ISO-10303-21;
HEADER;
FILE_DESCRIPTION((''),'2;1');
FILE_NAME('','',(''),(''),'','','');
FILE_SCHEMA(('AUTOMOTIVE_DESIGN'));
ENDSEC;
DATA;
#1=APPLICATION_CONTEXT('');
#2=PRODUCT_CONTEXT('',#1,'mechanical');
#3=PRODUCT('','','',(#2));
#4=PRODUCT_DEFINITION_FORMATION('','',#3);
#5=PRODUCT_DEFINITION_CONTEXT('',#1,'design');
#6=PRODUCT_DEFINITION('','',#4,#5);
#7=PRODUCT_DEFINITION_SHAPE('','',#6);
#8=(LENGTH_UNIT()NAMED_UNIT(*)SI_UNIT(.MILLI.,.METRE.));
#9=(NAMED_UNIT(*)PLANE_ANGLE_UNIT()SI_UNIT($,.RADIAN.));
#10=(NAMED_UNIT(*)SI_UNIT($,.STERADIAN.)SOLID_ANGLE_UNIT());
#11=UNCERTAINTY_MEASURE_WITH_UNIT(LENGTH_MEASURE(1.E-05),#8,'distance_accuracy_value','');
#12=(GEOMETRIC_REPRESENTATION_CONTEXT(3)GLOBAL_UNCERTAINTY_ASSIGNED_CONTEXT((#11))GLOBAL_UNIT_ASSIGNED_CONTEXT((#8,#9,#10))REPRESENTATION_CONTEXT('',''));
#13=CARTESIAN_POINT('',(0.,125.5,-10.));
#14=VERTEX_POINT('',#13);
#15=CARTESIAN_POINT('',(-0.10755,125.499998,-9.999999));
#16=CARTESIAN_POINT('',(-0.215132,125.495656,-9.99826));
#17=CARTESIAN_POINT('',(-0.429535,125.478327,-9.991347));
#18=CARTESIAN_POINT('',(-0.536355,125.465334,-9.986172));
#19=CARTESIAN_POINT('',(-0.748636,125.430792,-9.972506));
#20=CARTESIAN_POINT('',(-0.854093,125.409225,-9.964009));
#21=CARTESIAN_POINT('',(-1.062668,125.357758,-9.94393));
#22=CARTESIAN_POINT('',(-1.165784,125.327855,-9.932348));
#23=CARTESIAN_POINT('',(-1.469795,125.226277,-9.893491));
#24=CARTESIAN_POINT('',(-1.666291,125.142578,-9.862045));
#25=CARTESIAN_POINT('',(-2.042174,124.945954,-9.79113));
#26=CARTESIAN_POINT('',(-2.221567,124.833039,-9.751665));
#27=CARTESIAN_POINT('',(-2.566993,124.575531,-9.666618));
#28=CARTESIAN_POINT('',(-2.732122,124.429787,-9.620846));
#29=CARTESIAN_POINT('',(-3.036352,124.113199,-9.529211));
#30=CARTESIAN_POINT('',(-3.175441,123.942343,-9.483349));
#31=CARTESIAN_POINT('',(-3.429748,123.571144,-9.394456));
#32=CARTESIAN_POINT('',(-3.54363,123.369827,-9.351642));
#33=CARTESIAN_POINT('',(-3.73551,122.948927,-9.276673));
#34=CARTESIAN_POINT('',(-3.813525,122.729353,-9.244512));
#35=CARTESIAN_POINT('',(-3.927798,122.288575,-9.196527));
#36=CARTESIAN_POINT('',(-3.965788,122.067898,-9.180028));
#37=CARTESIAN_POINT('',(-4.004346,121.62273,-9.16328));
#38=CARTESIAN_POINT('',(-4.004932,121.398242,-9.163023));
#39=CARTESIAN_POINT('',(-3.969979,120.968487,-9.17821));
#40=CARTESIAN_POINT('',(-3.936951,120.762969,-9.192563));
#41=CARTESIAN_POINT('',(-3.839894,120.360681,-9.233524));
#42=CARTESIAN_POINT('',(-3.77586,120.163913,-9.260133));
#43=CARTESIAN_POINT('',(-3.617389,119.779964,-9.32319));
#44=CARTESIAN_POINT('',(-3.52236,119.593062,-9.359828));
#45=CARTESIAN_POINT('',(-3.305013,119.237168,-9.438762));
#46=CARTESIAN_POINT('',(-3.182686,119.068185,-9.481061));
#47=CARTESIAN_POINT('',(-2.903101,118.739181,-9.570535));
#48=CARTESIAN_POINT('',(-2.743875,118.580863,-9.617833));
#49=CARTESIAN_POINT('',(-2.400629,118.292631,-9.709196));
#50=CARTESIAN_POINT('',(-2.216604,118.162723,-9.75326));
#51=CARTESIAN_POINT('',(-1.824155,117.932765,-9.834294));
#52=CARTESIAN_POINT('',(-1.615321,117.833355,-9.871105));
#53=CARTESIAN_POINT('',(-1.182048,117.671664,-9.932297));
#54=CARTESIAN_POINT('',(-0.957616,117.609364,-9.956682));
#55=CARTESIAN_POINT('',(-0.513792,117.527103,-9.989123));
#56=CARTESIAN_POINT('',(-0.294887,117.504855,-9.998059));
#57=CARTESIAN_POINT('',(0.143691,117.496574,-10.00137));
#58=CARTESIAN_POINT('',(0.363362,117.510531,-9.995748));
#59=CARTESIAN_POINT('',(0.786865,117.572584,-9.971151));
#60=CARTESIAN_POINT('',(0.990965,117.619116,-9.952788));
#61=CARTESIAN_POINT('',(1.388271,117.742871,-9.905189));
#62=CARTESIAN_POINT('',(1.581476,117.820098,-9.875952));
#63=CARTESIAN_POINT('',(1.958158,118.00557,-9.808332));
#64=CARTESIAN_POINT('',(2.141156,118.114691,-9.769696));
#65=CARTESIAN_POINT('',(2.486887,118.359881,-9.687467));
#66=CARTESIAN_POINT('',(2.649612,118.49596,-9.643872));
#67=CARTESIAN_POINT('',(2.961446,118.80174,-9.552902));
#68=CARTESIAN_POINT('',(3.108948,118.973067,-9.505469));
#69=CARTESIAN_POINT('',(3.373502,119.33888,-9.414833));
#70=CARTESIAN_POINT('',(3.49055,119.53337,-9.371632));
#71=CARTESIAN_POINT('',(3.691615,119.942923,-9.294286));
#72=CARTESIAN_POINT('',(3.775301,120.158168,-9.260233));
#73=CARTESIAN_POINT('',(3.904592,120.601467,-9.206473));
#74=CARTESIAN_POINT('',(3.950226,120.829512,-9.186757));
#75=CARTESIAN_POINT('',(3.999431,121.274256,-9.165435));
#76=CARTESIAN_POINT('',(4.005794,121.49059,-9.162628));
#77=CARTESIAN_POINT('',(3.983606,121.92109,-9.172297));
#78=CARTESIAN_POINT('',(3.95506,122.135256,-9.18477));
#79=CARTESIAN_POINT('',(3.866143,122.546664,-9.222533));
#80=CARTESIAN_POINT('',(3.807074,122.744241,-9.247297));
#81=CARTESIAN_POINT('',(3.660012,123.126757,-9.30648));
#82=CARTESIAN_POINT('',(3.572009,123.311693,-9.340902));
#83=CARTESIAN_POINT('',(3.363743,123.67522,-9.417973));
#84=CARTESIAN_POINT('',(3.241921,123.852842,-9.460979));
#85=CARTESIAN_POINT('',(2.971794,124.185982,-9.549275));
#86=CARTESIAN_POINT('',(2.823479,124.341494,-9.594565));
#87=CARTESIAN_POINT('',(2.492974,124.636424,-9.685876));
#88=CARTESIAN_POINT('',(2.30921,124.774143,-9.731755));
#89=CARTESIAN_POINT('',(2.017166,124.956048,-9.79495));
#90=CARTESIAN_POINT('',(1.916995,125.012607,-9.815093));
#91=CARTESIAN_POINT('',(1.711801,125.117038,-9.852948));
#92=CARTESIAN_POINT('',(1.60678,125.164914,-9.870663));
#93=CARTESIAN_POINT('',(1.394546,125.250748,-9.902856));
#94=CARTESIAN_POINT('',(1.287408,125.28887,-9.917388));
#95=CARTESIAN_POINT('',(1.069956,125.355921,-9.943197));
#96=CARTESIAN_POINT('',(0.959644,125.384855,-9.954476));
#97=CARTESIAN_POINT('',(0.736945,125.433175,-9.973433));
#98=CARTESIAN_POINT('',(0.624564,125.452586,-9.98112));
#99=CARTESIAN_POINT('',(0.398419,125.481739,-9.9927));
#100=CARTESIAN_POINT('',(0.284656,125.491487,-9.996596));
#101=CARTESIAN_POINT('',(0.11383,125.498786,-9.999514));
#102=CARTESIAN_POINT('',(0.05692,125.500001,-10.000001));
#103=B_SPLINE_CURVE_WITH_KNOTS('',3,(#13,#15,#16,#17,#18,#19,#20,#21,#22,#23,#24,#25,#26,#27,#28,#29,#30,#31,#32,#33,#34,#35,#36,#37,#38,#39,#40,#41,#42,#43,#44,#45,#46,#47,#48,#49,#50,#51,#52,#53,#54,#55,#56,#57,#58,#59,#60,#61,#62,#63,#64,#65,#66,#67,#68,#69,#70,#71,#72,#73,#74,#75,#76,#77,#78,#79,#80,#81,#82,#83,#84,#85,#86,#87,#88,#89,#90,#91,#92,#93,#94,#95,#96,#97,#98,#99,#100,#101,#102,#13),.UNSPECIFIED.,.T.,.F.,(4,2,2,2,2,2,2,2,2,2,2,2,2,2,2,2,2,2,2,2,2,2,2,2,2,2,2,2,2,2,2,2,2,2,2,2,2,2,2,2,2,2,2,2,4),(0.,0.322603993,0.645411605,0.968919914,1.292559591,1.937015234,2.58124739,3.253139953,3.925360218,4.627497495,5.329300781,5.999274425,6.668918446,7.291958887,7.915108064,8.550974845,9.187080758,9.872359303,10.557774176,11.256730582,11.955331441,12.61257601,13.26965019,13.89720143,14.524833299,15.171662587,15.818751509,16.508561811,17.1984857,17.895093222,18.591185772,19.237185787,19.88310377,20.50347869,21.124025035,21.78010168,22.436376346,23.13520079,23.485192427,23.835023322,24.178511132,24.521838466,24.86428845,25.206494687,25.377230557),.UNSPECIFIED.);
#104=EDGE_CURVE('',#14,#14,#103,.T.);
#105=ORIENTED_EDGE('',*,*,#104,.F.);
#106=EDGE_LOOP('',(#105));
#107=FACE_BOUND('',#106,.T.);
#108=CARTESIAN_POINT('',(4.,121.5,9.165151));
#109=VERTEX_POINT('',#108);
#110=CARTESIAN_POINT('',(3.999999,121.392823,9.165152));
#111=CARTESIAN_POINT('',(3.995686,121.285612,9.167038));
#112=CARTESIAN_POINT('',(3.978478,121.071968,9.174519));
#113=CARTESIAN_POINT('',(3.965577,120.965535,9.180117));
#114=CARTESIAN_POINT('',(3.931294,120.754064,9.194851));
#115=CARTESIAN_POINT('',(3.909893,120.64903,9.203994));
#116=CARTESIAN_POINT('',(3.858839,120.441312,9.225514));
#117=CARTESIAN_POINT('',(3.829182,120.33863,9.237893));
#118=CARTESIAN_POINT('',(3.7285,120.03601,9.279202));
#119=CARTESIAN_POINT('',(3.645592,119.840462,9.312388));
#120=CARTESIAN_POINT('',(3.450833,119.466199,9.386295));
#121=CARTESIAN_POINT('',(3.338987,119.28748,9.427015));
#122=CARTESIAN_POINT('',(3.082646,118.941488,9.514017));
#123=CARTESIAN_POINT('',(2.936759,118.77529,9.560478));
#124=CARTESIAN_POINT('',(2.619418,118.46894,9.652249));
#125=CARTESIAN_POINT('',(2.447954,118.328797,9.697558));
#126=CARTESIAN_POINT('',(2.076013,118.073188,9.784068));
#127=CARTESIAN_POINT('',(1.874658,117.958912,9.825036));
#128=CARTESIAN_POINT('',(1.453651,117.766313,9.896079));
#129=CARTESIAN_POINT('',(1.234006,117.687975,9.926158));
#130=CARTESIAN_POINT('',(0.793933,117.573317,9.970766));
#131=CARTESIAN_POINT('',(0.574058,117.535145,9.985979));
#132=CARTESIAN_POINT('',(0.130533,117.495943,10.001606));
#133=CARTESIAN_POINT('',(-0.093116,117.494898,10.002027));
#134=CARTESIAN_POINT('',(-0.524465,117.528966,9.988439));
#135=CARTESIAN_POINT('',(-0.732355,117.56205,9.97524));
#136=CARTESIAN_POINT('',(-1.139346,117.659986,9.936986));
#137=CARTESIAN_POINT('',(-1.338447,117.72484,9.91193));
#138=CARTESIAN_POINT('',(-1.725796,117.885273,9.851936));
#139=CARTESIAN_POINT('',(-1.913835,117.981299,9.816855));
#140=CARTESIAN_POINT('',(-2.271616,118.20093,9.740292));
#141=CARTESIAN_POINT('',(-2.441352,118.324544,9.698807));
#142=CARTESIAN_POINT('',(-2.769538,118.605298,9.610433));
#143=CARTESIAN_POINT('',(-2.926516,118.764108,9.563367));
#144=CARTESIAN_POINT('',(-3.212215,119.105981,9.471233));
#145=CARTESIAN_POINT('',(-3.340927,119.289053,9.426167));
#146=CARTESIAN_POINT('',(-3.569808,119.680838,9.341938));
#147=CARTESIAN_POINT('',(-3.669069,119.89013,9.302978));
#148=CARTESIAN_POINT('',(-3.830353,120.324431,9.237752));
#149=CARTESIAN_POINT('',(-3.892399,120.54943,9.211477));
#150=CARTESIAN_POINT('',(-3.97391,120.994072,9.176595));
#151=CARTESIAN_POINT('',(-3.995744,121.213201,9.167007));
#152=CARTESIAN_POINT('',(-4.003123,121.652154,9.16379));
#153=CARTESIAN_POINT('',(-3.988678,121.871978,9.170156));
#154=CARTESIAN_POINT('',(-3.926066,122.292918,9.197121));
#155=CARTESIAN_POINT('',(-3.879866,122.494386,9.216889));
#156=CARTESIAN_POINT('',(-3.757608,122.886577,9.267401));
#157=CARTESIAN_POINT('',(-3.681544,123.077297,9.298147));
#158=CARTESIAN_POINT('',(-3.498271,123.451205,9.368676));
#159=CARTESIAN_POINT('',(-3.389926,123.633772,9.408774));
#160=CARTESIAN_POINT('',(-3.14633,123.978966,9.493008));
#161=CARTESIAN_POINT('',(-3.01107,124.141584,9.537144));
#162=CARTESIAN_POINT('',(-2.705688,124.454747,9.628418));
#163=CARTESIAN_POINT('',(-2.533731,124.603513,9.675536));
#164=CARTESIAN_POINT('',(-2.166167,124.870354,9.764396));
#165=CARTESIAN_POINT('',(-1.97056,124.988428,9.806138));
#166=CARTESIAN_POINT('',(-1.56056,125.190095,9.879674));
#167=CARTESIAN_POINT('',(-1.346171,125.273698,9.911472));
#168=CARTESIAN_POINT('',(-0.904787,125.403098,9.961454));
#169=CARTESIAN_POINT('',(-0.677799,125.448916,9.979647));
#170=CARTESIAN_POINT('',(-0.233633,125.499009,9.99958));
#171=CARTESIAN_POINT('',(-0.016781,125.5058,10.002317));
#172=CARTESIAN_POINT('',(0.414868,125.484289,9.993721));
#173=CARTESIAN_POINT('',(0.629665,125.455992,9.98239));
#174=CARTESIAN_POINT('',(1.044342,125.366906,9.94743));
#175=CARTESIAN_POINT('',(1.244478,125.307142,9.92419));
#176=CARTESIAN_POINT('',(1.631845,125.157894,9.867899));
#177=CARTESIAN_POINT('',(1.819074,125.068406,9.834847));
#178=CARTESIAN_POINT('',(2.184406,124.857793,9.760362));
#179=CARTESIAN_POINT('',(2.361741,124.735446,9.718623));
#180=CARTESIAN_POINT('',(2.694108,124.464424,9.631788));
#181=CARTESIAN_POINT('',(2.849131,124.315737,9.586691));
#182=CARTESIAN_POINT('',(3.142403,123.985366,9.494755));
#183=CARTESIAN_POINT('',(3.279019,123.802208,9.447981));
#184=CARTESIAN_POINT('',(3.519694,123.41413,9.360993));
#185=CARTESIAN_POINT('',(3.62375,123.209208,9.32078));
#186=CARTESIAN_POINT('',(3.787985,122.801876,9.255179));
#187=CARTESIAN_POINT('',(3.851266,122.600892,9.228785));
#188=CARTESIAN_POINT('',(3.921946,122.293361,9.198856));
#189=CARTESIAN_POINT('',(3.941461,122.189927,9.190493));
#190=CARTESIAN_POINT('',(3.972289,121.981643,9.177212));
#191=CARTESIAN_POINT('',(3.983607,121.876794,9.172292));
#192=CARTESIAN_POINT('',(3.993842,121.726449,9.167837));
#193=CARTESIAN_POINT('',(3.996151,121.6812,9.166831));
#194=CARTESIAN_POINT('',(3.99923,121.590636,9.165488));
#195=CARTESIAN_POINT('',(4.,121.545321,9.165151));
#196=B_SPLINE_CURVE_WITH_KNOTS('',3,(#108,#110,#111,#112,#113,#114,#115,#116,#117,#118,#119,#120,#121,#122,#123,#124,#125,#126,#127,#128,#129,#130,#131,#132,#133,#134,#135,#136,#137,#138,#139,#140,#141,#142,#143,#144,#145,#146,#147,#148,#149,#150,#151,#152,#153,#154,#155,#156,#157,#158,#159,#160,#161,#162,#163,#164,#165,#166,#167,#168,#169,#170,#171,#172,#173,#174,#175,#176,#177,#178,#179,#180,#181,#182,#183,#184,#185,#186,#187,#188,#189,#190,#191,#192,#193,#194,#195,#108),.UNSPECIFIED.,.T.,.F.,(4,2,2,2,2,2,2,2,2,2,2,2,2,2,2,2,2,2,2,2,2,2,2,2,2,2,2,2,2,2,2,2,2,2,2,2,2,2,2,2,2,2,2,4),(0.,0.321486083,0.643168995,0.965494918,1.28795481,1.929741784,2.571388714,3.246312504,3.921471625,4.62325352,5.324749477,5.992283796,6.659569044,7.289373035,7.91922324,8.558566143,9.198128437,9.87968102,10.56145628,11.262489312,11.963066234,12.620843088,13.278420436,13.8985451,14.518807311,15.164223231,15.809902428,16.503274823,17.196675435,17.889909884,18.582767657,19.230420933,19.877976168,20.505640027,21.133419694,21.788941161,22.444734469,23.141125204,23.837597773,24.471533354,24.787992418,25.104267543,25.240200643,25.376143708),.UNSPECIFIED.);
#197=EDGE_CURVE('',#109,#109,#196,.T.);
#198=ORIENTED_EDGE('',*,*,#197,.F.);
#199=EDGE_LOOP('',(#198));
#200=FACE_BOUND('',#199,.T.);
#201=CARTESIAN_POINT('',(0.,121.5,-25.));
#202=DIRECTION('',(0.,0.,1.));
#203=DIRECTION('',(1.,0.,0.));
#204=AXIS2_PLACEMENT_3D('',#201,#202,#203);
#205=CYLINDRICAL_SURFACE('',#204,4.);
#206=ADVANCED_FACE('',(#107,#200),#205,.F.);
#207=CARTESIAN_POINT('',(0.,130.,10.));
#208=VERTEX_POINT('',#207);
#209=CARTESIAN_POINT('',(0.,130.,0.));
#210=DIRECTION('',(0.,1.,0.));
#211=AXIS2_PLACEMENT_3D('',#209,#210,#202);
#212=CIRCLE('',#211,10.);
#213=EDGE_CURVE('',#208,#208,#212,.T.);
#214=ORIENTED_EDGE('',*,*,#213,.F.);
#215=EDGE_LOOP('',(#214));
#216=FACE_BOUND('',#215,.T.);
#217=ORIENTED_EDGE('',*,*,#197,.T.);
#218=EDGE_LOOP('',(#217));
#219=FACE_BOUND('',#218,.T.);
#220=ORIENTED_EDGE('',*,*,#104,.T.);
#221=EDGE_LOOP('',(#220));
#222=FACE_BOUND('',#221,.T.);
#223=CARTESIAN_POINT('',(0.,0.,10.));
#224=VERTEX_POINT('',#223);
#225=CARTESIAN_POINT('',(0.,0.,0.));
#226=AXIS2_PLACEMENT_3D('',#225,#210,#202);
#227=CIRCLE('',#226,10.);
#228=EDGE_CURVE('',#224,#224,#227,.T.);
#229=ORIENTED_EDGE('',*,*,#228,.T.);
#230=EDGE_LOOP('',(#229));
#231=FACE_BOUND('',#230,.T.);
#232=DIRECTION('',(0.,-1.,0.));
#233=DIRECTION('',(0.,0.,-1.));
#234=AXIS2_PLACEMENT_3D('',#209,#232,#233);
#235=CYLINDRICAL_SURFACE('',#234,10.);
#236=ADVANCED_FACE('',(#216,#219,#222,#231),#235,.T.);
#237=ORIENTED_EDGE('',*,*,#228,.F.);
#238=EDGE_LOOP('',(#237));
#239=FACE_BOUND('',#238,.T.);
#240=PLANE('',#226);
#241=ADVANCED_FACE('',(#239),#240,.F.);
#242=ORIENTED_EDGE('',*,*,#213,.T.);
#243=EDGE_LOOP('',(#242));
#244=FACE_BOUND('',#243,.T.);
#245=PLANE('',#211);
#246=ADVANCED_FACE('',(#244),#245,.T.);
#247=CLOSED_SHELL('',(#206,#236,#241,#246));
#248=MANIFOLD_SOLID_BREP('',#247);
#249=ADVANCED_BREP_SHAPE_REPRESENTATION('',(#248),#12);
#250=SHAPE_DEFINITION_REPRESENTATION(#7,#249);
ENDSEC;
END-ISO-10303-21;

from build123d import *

# Parameters (mm, degrees)
SKETCH_1_R          = 10
EXTRUDE_1_DEPTH     = 130
SKETCH_2_R          = 4
CUT_EXTRUDE_2_DEPTH = 25


with BuildPart() as part:
    # Эскиз1 → Вытянуть1 (new body)
    with BuildSketch(Plane(origin=(0, 0, 0), x_dir=(1, 0, 0), z_dir=(0, 1, 0))):
        with Locations(Location((0, 0, 0), (0, 0, 270))):
            Circle(SKETCH_1_R)
    extrude(amount=EXTRUDE_1_DEPTH)

    # Эскиз2 → Вытянуть2 (cut, symmetric)
    with BuildSketch(Plane.XY):
        with Locations(Location((0, 121.5, 0), (0, 0, 89.999999999))):
            Circle(SKETCH_2_R)
    extrude(amount=CUT_EXTRUDE_2_DEPTH, both=True, mode=Mode.SUBTRACT)


solid = part.part
